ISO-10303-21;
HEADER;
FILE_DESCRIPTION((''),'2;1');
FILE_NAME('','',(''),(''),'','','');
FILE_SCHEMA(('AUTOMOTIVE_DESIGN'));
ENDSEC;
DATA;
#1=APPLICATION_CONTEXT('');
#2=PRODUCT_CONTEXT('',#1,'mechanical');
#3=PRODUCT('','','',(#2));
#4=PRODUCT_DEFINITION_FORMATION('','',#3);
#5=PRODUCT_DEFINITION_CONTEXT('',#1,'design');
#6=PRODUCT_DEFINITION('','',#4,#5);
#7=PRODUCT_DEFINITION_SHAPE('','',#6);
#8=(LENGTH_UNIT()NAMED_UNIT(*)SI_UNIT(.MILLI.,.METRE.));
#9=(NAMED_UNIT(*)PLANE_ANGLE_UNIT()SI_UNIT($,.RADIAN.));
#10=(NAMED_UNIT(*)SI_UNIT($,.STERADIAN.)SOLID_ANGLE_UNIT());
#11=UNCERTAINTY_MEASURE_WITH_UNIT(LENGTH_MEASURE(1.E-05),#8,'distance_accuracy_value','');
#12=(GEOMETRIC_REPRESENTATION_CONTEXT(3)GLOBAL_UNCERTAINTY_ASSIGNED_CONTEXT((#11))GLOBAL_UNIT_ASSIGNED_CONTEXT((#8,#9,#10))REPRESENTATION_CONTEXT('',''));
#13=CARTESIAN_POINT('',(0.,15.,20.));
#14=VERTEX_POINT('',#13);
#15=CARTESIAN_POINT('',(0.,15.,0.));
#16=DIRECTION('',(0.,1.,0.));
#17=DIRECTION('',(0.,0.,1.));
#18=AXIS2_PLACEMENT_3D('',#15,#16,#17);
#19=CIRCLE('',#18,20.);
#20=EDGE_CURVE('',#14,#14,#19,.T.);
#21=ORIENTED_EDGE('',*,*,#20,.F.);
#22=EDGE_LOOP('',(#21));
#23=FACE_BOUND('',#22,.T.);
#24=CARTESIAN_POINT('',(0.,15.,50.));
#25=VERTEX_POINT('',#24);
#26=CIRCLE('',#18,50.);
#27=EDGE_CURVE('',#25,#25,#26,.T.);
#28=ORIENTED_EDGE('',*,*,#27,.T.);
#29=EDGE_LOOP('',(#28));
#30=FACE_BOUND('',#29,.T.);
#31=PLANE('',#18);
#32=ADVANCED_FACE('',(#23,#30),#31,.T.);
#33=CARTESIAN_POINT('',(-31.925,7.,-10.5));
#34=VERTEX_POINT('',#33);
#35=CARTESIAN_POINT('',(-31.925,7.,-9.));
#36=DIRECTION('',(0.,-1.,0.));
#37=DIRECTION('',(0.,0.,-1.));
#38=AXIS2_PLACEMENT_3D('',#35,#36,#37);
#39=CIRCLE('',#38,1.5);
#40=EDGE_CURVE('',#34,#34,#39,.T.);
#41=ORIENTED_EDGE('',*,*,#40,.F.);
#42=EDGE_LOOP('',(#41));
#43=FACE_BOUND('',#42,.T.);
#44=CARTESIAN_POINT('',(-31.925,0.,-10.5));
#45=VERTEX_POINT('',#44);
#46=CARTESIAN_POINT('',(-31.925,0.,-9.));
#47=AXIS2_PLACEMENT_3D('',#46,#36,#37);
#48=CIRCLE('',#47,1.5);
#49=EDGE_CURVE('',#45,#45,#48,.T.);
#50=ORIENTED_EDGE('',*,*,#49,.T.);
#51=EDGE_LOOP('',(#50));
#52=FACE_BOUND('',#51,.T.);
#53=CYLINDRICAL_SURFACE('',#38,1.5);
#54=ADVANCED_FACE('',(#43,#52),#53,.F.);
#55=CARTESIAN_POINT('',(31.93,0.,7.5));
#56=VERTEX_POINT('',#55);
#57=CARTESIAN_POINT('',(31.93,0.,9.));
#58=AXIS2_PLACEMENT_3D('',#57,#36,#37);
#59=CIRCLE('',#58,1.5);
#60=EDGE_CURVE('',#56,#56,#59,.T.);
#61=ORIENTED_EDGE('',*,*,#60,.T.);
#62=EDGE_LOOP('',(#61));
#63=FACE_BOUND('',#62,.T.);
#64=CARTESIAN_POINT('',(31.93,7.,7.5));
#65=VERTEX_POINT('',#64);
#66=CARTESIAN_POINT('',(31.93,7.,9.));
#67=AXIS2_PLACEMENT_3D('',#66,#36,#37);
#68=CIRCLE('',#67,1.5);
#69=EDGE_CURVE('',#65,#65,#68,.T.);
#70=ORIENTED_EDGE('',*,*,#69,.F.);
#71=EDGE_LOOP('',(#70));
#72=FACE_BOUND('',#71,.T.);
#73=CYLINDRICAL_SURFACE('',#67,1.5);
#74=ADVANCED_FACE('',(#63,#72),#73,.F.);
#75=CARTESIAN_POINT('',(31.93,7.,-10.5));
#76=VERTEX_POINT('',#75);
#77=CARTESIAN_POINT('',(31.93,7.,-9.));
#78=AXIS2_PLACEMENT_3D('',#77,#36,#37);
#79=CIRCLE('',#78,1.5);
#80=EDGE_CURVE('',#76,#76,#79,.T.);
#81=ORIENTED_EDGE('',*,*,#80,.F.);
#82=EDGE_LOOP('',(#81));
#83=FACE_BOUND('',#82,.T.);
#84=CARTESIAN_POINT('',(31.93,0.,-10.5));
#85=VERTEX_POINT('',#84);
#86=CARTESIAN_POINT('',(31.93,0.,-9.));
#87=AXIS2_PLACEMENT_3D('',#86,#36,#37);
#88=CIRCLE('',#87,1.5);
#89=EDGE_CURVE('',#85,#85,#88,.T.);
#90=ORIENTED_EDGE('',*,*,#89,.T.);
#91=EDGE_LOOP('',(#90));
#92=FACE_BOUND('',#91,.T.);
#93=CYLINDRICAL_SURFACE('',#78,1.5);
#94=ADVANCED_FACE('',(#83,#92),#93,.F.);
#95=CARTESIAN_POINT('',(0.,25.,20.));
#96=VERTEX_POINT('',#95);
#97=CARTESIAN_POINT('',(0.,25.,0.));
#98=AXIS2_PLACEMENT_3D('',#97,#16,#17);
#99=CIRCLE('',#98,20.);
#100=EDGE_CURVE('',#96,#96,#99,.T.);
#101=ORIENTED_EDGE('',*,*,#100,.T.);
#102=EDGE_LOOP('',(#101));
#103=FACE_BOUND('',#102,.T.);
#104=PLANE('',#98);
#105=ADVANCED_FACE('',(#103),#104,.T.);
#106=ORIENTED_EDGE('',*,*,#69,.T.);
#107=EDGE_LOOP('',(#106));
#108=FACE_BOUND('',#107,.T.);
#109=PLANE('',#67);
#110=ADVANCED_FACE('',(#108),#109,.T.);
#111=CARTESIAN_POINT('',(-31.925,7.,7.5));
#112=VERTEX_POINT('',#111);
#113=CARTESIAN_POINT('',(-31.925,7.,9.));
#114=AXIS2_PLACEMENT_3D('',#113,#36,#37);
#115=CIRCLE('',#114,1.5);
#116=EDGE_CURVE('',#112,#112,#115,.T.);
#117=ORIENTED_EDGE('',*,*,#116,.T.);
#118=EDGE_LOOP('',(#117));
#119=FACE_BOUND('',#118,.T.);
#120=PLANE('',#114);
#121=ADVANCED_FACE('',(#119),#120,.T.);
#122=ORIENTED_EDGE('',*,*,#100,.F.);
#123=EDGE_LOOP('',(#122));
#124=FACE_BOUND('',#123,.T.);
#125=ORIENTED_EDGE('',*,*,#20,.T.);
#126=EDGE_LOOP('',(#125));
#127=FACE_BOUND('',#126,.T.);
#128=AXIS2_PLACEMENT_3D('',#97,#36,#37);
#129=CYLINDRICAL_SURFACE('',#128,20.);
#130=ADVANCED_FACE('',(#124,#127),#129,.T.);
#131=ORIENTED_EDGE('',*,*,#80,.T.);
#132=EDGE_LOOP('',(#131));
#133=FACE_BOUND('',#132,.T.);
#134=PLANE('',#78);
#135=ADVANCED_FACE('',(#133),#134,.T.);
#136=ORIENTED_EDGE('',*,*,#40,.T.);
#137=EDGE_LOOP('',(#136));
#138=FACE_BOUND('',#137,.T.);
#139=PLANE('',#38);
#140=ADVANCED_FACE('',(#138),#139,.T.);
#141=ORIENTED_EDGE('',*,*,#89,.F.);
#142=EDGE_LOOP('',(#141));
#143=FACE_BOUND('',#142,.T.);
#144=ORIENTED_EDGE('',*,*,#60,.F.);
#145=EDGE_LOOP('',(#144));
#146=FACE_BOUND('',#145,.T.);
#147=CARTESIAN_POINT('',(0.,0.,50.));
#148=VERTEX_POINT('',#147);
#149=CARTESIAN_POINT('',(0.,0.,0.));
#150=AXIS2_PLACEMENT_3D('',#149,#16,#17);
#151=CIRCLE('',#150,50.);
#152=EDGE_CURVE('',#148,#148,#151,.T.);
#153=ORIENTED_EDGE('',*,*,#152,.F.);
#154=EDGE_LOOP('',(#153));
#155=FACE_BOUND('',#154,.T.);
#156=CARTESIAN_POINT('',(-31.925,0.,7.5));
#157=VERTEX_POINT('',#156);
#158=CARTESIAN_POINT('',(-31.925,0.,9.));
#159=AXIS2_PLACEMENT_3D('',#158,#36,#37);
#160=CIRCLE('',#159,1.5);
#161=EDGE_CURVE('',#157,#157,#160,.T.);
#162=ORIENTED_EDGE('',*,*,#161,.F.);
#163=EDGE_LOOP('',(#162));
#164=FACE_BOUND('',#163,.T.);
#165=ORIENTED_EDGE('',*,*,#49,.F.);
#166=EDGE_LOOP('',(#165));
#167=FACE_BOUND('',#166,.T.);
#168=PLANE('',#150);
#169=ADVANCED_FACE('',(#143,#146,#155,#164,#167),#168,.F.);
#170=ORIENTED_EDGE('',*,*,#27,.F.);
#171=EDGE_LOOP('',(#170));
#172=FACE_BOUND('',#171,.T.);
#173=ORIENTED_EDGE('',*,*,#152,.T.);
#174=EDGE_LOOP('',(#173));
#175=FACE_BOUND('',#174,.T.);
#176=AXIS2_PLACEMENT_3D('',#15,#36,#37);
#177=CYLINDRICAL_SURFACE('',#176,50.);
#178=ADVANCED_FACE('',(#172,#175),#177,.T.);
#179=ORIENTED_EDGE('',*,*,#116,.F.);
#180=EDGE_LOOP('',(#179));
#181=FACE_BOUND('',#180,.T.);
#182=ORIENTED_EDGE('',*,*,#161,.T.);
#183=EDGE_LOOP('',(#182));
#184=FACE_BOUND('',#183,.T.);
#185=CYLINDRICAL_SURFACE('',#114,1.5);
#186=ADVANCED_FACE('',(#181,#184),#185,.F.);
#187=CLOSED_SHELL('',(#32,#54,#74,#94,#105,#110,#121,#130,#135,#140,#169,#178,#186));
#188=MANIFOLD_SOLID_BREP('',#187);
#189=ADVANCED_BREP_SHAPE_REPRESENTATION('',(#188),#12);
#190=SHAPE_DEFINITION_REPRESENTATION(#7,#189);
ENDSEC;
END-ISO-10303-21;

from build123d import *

# Parameters (mm, degrees)
SKETCH_2_R          = 50
EXTRUDE_1_DEPTH     = 15
SKETCH_5_R          = 20
EXTRUDE_2_DEPTH     = 10
SKETCH_6_R          = 1.5
CUT_EXTRUDE_1_DEPTH = 7


with BuildPart() as part:
    # Эскиз2 → Бобышка-Вытянуть1 (new body)
    with BuildSketch(Plane(origin=(0, 0, 0), x_dir=(1, 0, 0), z_dir=(0, 1, 0))):
        with Locations(Location((0, 0, 0), (0, 0, 270))):
            Circle(SKETCH_2_R)
    extrude(amount=EXTRUDE_1_DEPTH)

    # Эскиз5 → Бобышка-Вытянуть2 (add)
    with BuildSketch(Plane(origin=(0, 15, 0), x_dir=(1, 0, 0), z_dir=(0, 1, 0))):
        with Locations(Location((0, 0, 0), (0, 0, 270))):
            Circle(SKETCH_5_R)
    extrude(amount=EXTRUDE_2_DEPTH)

    # Эскиз6 → Вырез-Вытянуть1 (cut)
    with BuildSketch(Plane.XZ):
        with Locations(Location((31.93, 9, 0), (0, 0, 270))):
            Circle(SKETCH_6_R)
        with Locations(Location((31.93, -9, 0), (0, 0, 270))):
            Circle(SKETCH_6_R)
        with Locations(Location((-31.925, 9, 0), (0, 0, 270))):
            Circle(SKETCH_6_R)
        with Locations(Location((-31.925, -9, 0), (0, 0, 270))):
            Circle(SKETCH_6_R)
    extrude(amount=-CUT_EXTRUDE_1_DEPTH, mode=Mode.SUBTRACT)


solid = part.part
